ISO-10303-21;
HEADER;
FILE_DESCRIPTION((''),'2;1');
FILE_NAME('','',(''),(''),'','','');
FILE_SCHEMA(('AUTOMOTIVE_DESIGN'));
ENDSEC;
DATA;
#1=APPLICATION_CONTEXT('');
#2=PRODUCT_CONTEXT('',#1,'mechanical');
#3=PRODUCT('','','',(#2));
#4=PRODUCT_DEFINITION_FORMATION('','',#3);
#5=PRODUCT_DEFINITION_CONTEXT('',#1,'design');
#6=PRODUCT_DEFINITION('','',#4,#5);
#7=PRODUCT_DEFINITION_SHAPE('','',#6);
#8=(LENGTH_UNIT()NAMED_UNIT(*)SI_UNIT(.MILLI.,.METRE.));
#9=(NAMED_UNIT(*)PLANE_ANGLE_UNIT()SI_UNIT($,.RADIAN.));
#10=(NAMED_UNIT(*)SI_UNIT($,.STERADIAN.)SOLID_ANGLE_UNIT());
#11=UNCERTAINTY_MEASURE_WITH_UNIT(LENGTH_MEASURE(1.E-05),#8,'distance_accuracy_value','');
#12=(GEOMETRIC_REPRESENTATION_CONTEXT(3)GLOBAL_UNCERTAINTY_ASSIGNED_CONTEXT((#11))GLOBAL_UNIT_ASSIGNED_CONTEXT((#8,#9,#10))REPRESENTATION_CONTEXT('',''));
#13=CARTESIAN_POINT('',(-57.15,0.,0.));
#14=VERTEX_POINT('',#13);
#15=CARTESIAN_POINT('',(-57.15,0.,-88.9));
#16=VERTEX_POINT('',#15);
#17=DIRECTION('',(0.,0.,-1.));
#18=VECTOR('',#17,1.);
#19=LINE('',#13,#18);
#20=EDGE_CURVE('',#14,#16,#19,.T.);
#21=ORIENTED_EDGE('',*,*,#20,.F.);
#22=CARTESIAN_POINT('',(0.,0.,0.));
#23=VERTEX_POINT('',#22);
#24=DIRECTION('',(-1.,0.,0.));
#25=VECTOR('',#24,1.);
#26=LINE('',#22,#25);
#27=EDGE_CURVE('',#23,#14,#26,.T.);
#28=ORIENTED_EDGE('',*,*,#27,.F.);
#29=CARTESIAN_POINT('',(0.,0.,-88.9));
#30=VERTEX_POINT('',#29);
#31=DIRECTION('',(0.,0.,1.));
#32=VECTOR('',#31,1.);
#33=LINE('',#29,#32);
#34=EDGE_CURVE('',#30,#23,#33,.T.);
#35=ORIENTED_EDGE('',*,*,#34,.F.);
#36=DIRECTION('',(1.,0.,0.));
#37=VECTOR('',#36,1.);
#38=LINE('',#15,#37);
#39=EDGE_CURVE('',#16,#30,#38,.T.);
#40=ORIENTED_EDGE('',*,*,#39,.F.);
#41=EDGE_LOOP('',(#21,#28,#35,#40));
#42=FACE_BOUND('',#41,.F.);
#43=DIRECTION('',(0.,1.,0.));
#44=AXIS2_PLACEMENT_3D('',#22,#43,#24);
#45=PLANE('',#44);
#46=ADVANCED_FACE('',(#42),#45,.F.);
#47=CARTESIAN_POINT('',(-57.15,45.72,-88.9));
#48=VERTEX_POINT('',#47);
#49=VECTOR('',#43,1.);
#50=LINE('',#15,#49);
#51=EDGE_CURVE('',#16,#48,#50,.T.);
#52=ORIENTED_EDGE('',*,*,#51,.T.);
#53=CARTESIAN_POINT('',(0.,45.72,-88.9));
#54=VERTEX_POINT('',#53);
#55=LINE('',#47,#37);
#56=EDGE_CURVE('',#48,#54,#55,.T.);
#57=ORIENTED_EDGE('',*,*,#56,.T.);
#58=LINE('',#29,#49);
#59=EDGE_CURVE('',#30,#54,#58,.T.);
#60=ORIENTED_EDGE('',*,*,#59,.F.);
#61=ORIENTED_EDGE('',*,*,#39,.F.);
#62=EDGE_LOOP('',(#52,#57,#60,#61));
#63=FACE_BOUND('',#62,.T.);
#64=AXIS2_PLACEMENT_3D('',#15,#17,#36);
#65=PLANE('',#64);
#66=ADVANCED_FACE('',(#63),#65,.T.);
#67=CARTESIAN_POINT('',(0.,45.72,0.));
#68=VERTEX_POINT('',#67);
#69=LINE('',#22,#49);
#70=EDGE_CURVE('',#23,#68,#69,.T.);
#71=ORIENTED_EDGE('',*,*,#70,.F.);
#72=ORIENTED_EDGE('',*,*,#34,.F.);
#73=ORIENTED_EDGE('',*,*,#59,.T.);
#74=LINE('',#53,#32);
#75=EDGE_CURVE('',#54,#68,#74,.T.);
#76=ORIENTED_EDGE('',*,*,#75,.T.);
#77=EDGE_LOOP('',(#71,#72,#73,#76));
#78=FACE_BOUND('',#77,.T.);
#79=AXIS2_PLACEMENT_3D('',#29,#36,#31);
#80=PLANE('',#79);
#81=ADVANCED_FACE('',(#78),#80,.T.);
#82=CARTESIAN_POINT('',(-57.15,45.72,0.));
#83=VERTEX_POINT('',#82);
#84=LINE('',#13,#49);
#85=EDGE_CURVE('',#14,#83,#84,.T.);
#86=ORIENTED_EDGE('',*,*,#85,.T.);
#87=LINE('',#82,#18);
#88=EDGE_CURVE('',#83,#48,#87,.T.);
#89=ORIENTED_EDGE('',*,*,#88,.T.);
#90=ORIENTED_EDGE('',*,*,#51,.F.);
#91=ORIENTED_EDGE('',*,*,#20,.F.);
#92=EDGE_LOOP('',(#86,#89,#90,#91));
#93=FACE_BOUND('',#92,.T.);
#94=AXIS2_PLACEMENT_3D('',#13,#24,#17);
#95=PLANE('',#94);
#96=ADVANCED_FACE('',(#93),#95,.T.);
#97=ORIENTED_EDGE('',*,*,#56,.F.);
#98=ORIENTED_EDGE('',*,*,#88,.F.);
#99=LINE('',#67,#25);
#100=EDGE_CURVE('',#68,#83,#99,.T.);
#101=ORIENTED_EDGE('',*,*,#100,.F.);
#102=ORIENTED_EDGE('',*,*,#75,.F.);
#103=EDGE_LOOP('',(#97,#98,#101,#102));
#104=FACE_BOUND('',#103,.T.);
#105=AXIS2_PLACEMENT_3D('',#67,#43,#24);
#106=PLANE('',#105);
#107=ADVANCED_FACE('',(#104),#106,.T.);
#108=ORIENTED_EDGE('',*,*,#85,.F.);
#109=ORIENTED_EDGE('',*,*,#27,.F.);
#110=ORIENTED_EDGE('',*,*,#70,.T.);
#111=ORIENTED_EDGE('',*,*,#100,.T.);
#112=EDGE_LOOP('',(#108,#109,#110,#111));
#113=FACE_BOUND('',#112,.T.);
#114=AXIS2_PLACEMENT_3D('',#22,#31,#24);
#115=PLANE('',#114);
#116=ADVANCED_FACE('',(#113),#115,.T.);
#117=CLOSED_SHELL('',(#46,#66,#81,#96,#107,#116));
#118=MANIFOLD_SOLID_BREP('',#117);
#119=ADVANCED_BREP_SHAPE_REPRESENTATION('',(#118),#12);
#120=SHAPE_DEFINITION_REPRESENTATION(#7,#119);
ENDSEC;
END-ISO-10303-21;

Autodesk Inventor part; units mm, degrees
ref_plane "YZ Plane" through (0, 0, 0) normal (1, 0, 0) x (0, 1, 0)
ref_plane "XZ Plane" through (0, 0, 0) normal (0, 1, 0) x (-1, 0, 0)
ref_plane "XY Plane" through (0, 0, 0) normal (0, 0, 1) x (1, 0, 0)
sketch "Sketch1" plane through (0, 0, 0) normal (0, 1, 0) x (-1, 0, 0)
  line L0 (0, 0) -> (57.15, 0)
  line L1 (57.15, 0) -> (57.15, -88.9)
  line L2 (57.15, -88.9) -> (0, -88.9)
  line L3 (0, -88.9) -> (0, 0)
  dimension "d0" = 88.9
  dimension "d1" = 57.15
extrude "Extrusion1" add sketch "Sketch1" along normal blind 45.72
properties part number "rpibox"
